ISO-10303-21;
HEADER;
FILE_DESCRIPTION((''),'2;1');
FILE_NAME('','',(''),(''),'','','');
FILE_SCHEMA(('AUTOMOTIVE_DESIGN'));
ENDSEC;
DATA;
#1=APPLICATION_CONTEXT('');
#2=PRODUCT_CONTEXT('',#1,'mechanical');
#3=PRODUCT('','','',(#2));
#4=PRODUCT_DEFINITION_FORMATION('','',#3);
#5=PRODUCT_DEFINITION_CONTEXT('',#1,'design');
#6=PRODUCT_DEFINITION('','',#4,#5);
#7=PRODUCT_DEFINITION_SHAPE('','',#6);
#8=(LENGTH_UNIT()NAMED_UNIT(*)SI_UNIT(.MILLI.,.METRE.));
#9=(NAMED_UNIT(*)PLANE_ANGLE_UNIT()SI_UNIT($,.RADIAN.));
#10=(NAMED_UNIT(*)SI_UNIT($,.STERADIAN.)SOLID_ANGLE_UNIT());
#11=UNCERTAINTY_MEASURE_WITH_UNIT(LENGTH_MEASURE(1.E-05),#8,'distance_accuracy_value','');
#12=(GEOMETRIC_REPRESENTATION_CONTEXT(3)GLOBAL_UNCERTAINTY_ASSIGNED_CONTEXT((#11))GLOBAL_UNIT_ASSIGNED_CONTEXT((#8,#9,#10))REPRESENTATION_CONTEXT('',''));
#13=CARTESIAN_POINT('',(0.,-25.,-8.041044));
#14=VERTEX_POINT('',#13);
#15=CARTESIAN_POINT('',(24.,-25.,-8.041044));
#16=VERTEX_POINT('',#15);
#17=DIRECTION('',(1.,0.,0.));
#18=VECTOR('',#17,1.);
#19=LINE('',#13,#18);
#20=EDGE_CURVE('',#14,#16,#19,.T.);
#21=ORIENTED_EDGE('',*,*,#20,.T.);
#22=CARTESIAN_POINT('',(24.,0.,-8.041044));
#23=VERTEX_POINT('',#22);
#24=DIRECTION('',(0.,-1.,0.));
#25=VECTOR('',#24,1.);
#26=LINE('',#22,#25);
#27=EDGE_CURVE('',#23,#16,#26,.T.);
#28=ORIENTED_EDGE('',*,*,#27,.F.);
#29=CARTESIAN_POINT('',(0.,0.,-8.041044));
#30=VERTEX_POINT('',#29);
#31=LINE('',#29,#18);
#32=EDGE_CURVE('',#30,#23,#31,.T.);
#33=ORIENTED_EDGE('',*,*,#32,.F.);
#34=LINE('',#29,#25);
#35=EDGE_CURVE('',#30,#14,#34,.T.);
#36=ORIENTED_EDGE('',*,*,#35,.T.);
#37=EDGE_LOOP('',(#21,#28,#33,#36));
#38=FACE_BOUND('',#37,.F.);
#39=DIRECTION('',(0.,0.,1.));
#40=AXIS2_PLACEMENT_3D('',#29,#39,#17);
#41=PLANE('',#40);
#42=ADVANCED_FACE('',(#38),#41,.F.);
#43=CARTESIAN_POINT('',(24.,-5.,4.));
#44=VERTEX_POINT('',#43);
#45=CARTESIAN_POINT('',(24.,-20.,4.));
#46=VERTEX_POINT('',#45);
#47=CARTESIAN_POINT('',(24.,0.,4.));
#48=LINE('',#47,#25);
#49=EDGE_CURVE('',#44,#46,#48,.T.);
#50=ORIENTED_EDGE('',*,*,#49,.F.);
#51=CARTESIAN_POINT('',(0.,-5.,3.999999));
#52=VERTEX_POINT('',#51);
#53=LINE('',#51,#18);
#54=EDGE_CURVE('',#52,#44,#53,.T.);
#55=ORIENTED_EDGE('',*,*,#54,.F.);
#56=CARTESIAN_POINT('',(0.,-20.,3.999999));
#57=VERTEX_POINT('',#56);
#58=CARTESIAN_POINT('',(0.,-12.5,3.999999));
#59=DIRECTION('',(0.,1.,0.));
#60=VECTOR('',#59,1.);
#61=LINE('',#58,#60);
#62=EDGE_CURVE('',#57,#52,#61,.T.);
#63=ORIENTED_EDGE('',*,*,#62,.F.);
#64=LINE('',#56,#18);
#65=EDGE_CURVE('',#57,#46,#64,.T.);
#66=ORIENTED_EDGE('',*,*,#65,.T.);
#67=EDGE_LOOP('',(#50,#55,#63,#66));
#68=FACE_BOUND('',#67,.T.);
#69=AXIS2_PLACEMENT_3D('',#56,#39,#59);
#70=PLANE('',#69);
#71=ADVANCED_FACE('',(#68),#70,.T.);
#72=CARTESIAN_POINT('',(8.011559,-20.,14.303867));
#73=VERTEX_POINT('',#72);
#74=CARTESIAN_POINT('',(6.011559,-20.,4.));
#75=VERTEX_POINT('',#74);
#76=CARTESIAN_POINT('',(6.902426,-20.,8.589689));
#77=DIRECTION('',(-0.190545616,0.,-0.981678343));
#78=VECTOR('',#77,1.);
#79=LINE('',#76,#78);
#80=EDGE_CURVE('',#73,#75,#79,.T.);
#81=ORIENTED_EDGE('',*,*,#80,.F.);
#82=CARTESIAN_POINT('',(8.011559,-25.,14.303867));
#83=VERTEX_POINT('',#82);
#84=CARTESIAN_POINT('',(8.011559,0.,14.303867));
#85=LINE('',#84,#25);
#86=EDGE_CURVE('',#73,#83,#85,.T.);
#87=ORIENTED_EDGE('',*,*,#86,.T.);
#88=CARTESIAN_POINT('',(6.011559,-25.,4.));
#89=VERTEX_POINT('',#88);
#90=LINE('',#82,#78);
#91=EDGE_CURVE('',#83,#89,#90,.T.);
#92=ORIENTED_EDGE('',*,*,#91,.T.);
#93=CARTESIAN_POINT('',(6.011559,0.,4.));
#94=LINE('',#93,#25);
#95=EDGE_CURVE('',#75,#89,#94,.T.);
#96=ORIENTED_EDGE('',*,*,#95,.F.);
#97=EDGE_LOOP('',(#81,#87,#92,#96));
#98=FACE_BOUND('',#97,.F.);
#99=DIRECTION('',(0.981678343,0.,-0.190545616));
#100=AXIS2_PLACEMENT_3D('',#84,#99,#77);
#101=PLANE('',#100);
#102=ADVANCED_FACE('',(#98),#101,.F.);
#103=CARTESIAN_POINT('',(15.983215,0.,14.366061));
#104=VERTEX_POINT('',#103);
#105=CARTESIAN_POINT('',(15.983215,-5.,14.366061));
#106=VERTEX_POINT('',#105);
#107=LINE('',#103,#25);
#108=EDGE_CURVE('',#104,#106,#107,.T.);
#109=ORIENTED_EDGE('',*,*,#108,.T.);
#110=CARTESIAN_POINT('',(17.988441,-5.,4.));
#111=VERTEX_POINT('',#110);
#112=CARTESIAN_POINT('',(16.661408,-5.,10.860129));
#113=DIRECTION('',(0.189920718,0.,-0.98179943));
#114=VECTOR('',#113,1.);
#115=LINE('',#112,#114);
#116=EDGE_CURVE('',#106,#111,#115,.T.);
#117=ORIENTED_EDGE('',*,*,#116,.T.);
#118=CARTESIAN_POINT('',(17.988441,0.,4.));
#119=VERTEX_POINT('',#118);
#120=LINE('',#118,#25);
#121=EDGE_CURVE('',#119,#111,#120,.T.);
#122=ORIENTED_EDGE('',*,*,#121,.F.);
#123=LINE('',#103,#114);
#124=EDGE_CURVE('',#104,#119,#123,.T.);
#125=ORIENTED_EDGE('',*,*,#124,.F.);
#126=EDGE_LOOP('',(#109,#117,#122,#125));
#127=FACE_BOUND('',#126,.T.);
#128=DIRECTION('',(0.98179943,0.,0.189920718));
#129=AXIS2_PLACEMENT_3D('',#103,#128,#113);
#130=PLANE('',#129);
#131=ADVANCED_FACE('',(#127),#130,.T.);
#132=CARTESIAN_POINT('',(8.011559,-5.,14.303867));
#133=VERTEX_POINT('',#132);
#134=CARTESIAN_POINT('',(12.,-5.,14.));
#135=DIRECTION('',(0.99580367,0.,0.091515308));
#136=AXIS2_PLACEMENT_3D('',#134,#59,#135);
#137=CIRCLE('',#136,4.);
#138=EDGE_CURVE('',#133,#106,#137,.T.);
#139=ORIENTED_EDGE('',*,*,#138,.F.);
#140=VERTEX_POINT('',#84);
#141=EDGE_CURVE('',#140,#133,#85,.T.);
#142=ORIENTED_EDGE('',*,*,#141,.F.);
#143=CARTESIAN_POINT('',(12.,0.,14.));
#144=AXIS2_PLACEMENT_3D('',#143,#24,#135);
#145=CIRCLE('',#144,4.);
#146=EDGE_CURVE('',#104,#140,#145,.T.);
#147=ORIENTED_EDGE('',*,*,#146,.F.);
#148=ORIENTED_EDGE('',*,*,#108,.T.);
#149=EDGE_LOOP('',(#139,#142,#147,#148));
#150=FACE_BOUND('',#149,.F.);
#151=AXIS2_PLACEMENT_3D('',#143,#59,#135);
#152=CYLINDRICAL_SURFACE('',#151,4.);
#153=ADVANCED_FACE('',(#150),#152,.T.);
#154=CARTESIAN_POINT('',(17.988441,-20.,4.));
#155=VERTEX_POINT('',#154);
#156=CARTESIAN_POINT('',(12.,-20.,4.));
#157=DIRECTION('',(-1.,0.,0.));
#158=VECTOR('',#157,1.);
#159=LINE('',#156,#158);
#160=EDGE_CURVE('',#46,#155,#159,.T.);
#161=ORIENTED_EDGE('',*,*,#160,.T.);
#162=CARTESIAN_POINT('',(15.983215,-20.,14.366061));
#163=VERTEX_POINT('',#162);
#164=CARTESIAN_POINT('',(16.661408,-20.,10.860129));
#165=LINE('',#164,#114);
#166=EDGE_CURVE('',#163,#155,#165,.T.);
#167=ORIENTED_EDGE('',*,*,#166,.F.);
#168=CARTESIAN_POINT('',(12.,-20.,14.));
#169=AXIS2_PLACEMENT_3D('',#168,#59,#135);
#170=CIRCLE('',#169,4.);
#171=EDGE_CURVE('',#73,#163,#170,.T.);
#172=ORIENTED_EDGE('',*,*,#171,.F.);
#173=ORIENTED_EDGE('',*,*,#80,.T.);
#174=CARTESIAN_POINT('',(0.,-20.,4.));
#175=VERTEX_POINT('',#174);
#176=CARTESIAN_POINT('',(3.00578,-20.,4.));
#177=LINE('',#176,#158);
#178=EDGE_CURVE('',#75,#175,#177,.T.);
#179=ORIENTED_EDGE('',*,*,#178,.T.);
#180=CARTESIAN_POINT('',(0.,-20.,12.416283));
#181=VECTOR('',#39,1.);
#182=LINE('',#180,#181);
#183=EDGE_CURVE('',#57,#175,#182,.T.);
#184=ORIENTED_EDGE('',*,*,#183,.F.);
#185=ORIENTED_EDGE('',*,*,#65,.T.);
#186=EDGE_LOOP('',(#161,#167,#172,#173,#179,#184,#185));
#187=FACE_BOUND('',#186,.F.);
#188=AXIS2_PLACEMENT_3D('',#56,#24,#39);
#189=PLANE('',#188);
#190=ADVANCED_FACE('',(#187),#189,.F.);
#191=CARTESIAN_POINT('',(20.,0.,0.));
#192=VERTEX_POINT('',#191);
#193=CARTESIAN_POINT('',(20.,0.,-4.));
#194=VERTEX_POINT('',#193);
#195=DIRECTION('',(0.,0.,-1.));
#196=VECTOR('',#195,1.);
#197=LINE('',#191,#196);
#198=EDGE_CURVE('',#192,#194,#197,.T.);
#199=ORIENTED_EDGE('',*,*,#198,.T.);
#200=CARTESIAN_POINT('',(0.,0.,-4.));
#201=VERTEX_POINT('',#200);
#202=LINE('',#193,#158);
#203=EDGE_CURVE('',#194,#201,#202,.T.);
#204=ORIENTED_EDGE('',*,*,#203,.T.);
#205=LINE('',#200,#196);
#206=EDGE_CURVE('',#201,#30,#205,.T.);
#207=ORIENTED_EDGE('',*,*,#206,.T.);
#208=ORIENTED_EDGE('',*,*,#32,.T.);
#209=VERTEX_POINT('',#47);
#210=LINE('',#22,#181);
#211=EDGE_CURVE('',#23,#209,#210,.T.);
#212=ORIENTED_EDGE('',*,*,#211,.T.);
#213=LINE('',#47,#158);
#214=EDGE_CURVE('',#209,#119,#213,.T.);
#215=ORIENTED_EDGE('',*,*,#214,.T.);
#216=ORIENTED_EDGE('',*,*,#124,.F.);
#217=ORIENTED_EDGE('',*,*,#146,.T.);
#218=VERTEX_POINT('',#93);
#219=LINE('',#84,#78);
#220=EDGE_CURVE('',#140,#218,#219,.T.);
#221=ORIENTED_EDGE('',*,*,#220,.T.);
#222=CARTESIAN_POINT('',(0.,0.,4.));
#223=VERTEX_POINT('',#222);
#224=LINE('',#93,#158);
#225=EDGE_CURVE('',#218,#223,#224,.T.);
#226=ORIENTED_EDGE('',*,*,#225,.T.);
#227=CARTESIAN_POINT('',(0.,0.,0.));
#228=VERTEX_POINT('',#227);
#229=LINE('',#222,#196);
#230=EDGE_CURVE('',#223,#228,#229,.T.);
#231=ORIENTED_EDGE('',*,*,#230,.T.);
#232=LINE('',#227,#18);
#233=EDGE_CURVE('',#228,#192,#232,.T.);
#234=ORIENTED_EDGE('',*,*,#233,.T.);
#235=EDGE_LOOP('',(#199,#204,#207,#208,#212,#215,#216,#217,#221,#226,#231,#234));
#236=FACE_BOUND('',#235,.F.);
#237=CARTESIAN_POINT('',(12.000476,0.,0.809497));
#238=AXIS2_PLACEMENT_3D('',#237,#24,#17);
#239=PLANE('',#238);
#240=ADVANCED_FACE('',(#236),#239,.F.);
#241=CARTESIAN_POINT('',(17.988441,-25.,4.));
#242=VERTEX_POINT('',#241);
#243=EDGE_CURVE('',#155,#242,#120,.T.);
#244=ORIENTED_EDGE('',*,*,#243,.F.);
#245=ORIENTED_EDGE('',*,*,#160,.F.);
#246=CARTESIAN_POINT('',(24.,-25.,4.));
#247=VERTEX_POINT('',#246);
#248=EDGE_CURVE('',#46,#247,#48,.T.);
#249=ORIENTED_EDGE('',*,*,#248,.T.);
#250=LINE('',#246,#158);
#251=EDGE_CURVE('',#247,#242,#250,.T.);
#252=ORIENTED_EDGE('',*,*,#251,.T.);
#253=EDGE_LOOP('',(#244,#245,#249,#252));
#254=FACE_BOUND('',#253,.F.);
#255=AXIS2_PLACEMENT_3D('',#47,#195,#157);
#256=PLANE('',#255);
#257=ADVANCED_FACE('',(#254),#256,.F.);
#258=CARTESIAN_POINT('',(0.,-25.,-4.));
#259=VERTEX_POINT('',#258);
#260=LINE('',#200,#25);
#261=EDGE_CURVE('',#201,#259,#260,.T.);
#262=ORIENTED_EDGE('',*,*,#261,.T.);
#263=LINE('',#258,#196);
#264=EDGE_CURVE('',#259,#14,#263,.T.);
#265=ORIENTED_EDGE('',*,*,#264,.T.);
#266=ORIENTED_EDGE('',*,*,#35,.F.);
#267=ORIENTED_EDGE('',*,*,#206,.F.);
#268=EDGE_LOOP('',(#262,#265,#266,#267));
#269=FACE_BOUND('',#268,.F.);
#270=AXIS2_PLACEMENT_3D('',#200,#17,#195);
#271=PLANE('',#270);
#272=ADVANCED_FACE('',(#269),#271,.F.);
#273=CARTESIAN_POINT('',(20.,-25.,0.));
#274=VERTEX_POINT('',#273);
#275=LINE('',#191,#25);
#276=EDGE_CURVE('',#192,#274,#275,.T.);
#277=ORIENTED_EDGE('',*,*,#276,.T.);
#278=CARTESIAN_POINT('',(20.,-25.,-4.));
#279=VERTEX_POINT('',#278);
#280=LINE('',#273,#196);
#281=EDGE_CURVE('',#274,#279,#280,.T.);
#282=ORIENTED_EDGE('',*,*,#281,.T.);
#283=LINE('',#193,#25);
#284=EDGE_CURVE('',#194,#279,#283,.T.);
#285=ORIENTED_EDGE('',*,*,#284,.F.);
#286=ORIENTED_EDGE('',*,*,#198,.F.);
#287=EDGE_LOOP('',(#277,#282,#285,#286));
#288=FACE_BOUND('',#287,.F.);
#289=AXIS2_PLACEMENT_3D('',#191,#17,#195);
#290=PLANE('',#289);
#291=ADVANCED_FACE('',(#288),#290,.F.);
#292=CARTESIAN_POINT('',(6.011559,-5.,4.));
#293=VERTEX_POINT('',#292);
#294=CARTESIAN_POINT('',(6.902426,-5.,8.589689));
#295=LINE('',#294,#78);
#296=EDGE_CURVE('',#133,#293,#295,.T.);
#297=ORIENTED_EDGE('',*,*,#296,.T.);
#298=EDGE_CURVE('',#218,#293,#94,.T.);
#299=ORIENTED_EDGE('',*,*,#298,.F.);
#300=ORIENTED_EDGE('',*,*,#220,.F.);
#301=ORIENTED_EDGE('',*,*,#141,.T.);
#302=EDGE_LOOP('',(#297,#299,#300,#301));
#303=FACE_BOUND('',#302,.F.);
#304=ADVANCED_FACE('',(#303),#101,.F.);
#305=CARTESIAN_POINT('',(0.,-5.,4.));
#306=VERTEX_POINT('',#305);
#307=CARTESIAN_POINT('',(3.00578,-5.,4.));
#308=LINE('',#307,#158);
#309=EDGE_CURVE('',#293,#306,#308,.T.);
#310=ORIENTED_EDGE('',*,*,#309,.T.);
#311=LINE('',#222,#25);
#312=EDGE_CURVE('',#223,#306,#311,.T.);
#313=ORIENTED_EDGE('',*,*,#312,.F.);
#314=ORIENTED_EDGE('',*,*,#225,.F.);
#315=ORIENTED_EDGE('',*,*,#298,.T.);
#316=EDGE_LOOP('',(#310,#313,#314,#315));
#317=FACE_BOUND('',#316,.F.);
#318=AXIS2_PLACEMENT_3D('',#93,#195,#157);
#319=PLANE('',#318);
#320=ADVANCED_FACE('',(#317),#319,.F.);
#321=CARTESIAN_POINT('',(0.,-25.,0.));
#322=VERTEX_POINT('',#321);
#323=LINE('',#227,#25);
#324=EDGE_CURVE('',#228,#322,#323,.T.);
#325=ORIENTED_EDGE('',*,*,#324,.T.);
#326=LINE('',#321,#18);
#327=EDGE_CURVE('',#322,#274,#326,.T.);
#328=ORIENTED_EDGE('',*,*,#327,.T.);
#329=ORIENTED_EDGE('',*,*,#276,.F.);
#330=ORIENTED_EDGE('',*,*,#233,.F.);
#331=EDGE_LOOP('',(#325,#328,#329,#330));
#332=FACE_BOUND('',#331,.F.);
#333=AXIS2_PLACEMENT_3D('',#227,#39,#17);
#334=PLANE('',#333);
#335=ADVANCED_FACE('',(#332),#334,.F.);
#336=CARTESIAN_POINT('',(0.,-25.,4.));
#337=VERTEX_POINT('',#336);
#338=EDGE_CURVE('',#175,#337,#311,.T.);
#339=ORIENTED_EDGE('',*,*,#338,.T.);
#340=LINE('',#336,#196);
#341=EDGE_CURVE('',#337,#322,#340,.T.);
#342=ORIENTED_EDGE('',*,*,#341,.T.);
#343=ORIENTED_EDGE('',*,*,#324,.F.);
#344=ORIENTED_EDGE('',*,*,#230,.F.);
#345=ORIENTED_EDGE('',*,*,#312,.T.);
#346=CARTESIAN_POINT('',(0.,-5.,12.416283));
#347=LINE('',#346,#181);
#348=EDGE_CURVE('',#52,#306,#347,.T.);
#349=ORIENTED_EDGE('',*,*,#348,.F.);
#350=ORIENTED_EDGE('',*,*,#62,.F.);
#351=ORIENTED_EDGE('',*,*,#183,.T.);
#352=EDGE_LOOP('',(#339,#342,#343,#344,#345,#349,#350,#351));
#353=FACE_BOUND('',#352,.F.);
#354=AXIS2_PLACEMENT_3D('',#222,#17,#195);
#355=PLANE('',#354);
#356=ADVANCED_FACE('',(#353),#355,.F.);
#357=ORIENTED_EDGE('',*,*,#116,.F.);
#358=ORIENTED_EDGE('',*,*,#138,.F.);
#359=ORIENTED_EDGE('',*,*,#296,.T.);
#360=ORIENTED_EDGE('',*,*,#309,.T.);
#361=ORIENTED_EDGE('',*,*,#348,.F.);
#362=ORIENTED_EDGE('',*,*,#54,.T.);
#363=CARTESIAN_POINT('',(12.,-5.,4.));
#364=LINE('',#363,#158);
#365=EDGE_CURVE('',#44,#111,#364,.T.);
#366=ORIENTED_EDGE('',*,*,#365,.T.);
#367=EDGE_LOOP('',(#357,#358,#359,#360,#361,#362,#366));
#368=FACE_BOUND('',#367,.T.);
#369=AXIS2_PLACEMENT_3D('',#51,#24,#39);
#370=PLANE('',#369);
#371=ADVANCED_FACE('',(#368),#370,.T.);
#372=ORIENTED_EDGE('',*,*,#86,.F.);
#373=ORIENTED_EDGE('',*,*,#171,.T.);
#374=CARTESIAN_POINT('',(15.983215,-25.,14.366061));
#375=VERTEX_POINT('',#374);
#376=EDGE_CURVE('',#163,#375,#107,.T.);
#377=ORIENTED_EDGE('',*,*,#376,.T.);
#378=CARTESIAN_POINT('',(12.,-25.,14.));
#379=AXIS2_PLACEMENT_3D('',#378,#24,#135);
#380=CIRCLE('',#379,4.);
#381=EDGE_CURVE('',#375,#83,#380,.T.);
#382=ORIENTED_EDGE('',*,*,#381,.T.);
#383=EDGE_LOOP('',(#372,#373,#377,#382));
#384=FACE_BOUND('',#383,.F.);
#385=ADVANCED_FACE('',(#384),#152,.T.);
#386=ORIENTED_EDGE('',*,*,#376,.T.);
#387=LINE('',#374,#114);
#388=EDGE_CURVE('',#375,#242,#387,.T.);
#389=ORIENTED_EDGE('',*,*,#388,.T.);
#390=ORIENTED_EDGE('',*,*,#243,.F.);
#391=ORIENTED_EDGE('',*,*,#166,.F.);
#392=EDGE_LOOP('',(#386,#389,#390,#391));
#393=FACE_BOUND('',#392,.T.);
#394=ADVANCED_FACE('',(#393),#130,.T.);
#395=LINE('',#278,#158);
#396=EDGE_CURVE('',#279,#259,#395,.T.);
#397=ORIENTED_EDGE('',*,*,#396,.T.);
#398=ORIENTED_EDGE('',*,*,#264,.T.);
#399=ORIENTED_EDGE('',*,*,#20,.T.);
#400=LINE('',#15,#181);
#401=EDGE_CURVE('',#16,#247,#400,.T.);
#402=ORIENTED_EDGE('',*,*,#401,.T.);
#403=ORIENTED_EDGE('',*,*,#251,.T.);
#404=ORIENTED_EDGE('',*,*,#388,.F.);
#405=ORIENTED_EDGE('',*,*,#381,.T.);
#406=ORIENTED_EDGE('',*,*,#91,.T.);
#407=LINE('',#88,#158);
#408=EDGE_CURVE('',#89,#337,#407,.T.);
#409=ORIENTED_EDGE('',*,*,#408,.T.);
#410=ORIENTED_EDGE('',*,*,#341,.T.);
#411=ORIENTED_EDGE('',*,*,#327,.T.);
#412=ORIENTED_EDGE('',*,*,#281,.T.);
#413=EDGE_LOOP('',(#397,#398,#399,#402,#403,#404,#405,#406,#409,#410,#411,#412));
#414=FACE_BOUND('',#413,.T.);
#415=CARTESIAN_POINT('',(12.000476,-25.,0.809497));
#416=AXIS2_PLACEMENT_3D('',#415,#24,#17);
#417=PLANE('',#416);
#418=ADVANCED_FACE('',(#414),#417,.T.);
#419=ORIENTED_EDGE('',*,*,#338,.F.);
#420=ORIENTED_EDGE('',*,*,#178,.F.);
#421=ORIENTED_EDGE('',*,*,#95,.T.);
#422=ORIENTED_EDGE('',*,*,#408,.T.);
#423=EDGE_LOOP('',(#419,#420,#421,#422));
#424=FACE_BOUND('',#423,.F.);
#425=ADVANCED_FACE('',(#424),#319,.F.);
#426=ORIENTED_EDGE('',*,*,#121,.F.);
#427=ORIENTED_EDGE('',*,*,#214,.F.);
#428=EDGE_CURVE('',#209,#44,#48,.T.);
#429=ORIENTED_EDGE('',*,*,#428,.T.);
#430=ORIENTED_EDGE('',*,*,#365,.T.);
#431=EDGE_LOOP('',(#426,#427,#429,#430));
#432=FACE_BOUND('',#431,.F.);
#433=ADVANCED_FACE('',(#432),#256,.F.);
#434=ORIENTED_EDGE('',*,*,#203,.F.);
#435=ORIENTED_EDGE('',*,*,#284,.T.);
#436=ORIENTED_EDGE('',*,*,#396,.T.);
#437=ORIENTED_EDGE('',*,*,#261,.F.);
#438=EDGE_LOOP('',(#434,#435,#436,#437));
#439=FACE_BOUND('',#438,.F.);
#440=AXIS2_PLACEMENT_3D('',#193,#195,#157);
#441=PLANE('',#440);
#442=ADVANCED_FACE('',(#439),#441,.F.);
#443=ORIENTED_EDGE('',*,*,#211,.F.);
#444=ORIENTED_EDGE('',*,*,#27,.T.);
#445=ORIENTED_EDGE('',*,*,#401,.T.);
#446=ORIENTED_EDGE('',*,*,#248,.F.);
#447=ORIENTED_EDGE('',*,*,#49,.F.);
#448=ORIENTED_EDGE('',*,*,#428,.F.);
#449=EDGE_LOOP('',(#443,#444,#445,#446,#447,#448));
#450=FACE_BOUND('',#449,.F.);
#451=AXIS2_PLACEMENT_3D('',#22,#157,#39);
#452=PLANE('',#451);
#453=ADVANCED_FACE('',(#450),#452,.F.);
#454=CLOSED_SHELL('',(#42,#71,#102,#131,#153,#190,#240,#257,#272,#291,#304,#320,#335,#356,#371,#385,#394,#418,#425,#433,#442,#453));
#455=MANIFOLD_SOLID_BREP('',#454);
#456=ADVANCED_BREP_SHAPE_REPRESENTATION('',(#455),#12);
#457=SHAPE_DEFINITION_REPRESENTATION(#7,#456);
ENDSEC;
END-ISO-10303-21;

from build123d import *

# Parameters (mm, degrees)
PAD_DEPTH         = 25
SKETCH001_W       = 15
SKETCH001_H       = 16.832567
POCKET_DEPTH      = 0.001
POCKET_DEPTH_BACK = -24.001


with BuildPart() as part:
    # Sketch → Pad (new body)
    with BuildSketch(Plane.XZ):
        with BuildLine():
            Line((0, 0), (20, 0))
            Line((20, 0), (20, -4))
            Line((20, -4), (0, -4))
            Line((0, -4), (0, -8.041044))
            Line((0, -8.041044), (24, -8.041044))
            Line((24, -8.041044), (24, 4))
            Line((24, 4), (17.988441, 4))
            Line((15.983215, 14.366061), (17.988441, 4))
            ThreePointArc((15.983215, 14.366061), (11.968793, 17.999878), (8.011559, 14.303867))
            Line((8.011559, 14.303867), (6.011559, 4))
            Line((6.011559, 4), (0, 4))
            Line((0, 4), (0, 0))
        make_face()
    extrude(amount=PAD_DEPTH)

    # Sketch001 → Pocket (cut, two sides)
    with BuildSketch(Plane.YZ) as pocket_sk:
        with Locations((-12.5, 12.416283)):
            Rectangle(SKETCH001_W, SKETCH001_H)
    extrude(amount=-POCKET_DEPTH, mode=Mode.SUBTRACT)
    extrude(pocket_sk.sketch, amount=-POCKET_DEPTH_BACK, mode=Mode.SUBTRACT)


solid = part.part
